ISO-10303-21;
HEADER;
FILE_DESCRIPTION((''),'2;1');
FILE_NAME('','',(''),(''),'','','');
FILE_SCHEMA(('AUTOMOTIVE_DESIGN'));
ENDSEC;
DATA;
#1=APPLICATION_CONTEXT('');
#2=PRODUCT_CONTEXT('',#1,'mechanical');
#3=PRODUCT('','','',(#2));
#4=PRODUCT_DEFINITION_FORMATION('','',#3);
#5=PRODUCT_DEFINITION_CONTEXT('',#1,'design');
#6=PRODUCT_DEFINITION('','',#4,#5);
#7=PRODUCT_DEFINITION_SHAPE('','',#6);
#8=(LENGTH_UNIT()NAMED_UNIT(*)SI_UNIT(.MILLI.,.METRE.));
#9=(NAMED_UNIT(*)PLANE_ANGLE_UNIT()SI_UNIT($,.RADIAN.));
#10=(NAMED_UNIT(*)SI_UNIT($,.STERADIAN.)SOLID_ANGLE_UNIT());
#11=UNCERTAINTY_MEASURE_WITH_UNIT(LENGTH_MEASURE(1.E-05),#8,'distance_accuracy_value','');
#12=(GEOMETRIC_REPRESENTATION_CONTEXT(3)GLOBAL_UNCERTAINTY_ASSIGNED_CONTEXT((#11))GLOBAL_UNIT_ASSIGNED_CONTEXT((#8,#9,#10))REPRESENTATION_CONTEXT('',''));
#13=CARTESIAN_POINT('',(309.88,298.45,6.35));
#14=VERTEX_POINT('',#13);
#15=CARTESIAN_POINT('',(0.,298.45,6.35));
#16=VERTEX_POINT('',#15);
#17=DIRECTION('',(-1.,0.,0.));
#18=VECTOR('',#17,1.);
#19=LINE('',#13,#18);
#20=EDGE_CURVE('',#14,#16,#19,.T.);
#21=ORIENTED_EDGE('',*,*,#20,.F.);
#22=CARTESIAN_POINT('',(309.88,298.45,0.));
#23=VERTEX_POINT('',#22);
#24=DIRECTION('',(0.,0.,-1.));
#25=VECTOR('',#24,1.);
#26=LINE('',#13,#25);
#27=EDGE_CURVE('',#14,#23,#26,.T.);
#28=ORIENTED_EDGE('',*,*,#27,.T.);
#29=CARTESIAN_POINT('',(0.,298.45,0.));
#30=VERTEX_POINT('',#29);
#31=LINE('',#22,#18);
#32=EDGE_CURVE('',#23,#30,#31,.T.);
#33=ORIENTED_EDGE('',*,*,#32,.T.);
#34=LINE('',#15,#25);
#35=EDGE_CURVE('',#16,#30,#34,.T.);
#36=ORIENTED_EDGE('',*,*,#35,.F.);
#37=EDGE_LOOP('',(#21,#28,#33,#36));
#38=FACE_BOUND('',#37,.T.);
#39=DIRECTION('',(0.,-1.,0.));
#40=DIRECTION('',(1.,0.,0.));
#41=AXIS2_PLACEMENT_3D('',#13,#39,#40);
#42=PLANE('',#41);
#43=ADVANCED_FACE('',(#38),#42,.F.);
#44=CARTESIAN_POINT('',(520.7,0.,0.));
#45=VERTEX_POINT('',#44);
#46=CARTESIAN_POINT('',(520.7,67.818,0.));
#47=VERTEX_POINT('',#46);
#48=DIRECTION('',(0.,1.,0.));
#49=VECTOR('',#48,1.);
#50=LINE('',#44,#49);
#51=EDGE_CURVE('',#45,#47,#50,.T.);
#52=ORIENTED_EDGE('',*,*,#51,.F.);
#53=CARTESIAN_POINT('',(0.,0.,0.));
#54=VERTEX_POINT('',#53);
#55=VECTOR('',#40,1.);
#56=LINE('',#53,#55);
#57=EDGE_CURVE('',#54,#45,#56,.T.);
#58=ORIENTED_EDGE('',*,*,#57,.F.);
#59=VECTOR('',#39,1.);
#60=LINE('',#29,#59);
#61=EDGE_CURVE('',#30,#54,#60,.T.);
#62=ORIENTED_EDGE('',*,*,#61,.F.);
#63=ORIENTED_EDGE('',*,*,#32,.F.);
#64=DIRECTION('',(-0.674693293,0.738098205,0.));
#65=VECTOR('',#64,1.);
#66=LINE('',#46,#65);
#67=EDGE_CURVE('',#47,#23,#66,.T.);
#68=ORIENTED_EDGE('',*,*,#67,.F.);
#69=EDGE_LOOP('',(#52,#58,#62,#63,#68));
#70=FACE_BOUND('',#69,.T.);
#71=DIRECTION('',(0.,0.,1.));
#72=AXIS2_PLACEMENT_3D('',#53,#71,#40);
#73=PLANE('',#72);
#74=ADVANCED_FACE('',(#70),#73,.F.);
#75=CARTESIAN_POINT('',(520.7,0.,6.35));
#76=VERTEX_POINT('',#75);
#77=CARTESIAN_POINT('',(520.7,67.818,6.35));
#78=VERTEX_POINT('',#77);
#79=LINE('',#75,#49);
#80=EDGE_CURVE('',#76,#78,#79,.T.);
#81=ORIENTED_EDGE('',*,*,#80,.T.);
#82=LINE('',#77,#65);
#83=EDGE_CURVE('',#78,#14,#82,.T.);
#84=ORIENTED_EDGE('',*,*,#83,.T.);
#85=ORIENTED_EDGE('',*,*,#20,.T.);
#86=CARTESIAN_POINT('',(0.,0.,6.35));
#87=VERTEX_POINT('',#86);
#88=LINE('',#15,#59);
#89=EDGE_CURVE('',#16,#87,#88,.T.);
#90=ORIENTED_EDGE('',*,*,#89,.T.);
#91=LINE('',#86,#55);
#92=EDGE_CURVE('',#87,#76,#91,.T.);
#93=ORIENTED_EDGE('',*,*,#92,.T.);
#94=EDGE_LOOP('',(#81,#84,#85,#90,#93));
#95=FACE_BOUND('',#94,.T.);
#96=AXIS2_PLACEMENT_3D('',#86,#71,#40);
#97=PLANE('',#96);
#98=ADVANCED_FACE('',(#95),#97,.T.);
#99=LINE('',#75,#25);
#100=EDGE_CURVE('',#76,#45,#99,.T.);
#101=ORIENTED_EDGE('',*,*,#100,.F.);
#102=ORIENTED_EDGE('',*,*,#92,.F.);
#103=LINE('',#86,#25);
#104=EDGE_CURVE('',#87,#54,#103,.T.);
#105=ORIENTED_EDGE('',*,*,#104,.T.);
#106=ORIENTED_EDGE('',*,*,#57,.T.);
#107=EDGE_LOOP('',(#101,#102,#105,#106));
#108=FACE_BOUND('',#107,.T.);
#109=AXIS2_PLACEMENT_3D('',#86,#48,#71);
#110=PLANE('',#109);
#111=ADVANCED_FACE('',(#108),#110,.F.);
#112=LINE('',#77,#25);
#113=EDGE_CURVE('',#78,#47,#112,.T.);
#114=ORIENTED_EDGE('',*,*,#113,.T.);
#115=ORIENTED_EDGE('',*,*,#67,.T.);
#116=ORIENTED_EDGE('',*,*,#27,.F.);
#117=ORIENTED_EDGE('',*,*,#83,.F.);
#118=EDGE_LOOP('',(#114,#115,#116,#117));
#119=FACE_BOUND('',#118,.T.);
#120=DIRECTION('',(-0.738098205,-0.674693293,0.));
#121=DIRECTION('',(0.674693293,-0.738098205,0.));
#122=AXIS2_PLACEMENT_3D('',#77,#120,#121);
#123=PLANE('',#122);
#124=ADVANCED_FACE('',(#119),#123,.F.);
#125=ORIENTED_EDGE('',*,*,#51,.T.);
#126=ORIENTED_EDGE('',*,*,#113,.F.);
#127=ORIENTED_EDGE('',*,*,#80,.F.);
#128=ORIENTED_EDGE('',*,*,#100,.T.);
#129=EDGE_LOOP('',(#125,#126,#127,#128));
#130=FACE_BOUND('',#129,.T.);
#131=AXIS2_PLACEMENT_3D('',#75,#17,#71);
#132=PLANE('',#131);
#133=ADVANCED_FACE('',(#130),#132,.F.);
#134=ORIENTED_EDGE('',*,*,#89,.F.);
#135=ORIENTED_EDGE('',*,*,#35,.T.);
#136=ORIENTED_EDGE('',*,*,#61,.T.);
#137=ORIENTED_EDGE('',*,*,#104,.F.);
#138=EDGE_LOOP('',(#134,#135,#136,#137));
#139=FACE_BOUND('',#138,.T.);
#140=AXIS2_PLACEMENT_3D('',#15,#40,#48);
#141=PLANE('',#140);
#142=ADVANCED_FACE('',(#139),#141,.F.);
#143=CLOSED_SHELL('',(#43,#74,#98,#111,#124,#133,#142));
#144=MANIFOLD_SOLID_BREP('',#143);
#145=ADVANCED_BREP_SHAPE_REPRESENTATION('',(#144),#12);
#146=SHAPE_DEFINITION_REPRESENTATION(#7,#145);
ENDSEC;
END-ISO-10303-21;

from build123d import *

# Parameters (mm, degrees)
BOSS_EXTRUDE1_DEPTH = 6.35


with BuildPart() as part:
    # Sketch1 → Boss-Extrude1 (new body)
    with BuildSketch(Plane.XY):
        Polygon((0, 0), (520.7, 0), (520.7, 67.818), (309.88, 298.45), (0, 298.45), align=None)
    extrude(amount=BOSS_EXTRUDE1_DEPTH)


solid = part.part
